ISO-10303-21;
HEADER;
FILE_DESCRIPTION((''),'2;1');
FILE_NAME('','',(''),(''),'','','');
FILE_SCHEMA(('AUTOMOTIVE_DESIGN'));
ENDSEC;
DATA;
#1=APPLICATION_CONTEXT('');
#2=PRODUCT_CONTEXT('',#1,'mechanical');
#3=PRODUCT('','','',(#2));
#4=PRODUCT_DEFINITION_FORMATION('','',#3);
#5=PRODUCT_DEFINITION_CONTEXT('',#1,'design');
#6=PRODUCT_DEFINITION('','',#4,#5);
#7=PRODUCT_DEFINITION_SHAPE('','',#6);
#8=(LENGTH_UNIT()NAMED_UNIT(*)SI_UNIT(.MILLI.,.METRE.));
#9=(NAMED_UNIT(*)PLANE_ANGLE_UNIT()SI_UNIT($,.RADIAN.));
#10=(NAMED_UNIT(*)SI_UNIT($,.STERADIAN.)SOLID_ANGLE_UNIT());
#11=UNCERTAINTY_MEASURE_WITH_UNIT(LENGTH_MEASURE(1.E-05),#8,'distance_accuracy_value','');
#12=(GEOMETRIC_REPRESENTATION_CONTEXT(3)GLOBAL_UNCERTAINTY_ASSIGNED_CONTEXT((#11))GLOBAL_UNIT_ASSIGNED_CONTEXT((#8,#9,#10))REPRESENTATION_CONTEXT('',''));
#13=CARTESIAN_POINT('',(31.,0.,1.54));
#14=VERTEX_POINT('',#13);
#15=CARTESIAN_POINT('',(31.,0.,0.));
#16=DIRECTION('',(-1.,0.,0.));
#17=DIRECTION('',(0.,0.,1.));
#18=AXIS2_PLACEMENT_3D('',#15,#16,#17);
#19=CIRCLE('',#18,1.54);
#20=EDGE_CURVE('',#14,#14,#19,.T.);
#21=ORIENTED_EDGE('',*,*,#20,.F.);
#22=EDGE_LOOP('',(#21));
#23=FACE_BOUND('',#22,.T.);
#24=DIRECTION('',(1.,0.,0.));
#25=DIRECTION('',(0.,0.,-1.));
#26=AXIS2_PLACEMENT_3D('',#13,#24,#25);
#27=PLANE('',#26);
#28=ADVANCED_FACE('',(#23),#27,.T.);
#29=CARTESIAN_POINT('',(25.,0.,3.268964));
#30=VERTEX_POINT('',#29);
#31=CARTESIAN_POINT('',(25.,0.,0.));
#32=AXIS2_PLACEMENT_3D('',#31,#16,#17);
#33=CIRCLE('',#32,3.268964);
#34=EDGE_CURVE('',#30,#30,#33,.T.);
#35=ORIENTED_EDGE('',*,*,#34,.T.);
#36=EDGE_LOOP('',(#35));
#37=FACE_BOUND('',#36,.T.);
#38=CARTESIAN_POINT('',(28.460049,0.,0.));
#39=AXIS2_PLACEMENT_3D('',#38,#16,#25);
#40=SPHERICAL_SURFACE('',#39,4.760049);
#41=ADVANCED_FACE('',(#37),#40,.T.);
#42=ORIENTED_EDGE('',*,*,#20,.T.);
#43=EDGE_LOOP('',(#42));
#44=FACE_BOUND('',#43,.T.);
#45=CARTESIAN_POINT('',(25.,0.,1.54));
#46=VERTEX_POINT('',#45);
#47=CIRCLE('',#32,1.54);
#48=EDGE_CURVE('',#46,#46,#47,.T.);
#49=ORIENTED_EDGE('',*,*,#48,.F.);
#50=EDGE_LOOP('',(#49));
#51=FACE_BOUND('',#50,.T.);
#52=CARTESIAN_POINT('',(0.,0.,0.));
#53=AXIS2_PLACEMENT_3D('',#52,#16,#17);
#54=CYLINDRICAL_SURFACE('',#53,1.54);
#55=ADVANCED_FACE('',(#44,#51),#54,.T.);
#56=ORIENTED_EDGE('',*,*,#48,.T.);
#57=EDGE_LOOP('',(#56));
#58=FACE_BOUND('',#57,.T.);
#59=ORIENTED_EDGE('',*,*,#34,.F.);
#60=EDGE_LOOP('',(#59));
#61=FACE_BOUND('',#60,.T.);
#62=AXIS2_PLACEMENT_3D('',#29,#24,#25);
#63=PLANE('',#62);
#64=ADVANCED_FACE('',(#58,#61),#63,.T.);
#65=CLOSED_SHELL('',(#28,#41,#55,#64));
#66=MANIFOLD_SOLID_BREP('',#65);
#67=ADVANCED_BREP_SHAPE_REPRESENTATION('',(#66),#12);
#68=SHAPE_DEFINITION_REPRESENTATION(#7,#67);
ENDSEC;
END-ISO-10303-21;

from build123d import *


with BuildPart() as part:
    # 草图1 → 旋转1 (revolve)
    with BuildSketch(Plane(origin=(0, 0, 0), x_dir=(1, 0, 0), z_dir=(0, 1, 0)), mode=Mode.PRIVATE) as revolve_1_sk:
        with BuildLine():
            Line((25, -3.268964269), (25, -1.54))
            Line((25, -1.54), (31, -1.54))
            Line((31, -1.54), (31, 0))
            Line((31, 0), (23.7, 0))
            ThreePointArc((23.7, 0), (24.036924015, -1.758986028), (25, -3.268964269))
        make_face()
    revolve(revolve_1_sk.sketch.rotate(Axis((0, 0, 0), (1, 0, 0)), 180), axis=Axis((0, 0, 0), (1, 0, 0)))


solid = part.part
